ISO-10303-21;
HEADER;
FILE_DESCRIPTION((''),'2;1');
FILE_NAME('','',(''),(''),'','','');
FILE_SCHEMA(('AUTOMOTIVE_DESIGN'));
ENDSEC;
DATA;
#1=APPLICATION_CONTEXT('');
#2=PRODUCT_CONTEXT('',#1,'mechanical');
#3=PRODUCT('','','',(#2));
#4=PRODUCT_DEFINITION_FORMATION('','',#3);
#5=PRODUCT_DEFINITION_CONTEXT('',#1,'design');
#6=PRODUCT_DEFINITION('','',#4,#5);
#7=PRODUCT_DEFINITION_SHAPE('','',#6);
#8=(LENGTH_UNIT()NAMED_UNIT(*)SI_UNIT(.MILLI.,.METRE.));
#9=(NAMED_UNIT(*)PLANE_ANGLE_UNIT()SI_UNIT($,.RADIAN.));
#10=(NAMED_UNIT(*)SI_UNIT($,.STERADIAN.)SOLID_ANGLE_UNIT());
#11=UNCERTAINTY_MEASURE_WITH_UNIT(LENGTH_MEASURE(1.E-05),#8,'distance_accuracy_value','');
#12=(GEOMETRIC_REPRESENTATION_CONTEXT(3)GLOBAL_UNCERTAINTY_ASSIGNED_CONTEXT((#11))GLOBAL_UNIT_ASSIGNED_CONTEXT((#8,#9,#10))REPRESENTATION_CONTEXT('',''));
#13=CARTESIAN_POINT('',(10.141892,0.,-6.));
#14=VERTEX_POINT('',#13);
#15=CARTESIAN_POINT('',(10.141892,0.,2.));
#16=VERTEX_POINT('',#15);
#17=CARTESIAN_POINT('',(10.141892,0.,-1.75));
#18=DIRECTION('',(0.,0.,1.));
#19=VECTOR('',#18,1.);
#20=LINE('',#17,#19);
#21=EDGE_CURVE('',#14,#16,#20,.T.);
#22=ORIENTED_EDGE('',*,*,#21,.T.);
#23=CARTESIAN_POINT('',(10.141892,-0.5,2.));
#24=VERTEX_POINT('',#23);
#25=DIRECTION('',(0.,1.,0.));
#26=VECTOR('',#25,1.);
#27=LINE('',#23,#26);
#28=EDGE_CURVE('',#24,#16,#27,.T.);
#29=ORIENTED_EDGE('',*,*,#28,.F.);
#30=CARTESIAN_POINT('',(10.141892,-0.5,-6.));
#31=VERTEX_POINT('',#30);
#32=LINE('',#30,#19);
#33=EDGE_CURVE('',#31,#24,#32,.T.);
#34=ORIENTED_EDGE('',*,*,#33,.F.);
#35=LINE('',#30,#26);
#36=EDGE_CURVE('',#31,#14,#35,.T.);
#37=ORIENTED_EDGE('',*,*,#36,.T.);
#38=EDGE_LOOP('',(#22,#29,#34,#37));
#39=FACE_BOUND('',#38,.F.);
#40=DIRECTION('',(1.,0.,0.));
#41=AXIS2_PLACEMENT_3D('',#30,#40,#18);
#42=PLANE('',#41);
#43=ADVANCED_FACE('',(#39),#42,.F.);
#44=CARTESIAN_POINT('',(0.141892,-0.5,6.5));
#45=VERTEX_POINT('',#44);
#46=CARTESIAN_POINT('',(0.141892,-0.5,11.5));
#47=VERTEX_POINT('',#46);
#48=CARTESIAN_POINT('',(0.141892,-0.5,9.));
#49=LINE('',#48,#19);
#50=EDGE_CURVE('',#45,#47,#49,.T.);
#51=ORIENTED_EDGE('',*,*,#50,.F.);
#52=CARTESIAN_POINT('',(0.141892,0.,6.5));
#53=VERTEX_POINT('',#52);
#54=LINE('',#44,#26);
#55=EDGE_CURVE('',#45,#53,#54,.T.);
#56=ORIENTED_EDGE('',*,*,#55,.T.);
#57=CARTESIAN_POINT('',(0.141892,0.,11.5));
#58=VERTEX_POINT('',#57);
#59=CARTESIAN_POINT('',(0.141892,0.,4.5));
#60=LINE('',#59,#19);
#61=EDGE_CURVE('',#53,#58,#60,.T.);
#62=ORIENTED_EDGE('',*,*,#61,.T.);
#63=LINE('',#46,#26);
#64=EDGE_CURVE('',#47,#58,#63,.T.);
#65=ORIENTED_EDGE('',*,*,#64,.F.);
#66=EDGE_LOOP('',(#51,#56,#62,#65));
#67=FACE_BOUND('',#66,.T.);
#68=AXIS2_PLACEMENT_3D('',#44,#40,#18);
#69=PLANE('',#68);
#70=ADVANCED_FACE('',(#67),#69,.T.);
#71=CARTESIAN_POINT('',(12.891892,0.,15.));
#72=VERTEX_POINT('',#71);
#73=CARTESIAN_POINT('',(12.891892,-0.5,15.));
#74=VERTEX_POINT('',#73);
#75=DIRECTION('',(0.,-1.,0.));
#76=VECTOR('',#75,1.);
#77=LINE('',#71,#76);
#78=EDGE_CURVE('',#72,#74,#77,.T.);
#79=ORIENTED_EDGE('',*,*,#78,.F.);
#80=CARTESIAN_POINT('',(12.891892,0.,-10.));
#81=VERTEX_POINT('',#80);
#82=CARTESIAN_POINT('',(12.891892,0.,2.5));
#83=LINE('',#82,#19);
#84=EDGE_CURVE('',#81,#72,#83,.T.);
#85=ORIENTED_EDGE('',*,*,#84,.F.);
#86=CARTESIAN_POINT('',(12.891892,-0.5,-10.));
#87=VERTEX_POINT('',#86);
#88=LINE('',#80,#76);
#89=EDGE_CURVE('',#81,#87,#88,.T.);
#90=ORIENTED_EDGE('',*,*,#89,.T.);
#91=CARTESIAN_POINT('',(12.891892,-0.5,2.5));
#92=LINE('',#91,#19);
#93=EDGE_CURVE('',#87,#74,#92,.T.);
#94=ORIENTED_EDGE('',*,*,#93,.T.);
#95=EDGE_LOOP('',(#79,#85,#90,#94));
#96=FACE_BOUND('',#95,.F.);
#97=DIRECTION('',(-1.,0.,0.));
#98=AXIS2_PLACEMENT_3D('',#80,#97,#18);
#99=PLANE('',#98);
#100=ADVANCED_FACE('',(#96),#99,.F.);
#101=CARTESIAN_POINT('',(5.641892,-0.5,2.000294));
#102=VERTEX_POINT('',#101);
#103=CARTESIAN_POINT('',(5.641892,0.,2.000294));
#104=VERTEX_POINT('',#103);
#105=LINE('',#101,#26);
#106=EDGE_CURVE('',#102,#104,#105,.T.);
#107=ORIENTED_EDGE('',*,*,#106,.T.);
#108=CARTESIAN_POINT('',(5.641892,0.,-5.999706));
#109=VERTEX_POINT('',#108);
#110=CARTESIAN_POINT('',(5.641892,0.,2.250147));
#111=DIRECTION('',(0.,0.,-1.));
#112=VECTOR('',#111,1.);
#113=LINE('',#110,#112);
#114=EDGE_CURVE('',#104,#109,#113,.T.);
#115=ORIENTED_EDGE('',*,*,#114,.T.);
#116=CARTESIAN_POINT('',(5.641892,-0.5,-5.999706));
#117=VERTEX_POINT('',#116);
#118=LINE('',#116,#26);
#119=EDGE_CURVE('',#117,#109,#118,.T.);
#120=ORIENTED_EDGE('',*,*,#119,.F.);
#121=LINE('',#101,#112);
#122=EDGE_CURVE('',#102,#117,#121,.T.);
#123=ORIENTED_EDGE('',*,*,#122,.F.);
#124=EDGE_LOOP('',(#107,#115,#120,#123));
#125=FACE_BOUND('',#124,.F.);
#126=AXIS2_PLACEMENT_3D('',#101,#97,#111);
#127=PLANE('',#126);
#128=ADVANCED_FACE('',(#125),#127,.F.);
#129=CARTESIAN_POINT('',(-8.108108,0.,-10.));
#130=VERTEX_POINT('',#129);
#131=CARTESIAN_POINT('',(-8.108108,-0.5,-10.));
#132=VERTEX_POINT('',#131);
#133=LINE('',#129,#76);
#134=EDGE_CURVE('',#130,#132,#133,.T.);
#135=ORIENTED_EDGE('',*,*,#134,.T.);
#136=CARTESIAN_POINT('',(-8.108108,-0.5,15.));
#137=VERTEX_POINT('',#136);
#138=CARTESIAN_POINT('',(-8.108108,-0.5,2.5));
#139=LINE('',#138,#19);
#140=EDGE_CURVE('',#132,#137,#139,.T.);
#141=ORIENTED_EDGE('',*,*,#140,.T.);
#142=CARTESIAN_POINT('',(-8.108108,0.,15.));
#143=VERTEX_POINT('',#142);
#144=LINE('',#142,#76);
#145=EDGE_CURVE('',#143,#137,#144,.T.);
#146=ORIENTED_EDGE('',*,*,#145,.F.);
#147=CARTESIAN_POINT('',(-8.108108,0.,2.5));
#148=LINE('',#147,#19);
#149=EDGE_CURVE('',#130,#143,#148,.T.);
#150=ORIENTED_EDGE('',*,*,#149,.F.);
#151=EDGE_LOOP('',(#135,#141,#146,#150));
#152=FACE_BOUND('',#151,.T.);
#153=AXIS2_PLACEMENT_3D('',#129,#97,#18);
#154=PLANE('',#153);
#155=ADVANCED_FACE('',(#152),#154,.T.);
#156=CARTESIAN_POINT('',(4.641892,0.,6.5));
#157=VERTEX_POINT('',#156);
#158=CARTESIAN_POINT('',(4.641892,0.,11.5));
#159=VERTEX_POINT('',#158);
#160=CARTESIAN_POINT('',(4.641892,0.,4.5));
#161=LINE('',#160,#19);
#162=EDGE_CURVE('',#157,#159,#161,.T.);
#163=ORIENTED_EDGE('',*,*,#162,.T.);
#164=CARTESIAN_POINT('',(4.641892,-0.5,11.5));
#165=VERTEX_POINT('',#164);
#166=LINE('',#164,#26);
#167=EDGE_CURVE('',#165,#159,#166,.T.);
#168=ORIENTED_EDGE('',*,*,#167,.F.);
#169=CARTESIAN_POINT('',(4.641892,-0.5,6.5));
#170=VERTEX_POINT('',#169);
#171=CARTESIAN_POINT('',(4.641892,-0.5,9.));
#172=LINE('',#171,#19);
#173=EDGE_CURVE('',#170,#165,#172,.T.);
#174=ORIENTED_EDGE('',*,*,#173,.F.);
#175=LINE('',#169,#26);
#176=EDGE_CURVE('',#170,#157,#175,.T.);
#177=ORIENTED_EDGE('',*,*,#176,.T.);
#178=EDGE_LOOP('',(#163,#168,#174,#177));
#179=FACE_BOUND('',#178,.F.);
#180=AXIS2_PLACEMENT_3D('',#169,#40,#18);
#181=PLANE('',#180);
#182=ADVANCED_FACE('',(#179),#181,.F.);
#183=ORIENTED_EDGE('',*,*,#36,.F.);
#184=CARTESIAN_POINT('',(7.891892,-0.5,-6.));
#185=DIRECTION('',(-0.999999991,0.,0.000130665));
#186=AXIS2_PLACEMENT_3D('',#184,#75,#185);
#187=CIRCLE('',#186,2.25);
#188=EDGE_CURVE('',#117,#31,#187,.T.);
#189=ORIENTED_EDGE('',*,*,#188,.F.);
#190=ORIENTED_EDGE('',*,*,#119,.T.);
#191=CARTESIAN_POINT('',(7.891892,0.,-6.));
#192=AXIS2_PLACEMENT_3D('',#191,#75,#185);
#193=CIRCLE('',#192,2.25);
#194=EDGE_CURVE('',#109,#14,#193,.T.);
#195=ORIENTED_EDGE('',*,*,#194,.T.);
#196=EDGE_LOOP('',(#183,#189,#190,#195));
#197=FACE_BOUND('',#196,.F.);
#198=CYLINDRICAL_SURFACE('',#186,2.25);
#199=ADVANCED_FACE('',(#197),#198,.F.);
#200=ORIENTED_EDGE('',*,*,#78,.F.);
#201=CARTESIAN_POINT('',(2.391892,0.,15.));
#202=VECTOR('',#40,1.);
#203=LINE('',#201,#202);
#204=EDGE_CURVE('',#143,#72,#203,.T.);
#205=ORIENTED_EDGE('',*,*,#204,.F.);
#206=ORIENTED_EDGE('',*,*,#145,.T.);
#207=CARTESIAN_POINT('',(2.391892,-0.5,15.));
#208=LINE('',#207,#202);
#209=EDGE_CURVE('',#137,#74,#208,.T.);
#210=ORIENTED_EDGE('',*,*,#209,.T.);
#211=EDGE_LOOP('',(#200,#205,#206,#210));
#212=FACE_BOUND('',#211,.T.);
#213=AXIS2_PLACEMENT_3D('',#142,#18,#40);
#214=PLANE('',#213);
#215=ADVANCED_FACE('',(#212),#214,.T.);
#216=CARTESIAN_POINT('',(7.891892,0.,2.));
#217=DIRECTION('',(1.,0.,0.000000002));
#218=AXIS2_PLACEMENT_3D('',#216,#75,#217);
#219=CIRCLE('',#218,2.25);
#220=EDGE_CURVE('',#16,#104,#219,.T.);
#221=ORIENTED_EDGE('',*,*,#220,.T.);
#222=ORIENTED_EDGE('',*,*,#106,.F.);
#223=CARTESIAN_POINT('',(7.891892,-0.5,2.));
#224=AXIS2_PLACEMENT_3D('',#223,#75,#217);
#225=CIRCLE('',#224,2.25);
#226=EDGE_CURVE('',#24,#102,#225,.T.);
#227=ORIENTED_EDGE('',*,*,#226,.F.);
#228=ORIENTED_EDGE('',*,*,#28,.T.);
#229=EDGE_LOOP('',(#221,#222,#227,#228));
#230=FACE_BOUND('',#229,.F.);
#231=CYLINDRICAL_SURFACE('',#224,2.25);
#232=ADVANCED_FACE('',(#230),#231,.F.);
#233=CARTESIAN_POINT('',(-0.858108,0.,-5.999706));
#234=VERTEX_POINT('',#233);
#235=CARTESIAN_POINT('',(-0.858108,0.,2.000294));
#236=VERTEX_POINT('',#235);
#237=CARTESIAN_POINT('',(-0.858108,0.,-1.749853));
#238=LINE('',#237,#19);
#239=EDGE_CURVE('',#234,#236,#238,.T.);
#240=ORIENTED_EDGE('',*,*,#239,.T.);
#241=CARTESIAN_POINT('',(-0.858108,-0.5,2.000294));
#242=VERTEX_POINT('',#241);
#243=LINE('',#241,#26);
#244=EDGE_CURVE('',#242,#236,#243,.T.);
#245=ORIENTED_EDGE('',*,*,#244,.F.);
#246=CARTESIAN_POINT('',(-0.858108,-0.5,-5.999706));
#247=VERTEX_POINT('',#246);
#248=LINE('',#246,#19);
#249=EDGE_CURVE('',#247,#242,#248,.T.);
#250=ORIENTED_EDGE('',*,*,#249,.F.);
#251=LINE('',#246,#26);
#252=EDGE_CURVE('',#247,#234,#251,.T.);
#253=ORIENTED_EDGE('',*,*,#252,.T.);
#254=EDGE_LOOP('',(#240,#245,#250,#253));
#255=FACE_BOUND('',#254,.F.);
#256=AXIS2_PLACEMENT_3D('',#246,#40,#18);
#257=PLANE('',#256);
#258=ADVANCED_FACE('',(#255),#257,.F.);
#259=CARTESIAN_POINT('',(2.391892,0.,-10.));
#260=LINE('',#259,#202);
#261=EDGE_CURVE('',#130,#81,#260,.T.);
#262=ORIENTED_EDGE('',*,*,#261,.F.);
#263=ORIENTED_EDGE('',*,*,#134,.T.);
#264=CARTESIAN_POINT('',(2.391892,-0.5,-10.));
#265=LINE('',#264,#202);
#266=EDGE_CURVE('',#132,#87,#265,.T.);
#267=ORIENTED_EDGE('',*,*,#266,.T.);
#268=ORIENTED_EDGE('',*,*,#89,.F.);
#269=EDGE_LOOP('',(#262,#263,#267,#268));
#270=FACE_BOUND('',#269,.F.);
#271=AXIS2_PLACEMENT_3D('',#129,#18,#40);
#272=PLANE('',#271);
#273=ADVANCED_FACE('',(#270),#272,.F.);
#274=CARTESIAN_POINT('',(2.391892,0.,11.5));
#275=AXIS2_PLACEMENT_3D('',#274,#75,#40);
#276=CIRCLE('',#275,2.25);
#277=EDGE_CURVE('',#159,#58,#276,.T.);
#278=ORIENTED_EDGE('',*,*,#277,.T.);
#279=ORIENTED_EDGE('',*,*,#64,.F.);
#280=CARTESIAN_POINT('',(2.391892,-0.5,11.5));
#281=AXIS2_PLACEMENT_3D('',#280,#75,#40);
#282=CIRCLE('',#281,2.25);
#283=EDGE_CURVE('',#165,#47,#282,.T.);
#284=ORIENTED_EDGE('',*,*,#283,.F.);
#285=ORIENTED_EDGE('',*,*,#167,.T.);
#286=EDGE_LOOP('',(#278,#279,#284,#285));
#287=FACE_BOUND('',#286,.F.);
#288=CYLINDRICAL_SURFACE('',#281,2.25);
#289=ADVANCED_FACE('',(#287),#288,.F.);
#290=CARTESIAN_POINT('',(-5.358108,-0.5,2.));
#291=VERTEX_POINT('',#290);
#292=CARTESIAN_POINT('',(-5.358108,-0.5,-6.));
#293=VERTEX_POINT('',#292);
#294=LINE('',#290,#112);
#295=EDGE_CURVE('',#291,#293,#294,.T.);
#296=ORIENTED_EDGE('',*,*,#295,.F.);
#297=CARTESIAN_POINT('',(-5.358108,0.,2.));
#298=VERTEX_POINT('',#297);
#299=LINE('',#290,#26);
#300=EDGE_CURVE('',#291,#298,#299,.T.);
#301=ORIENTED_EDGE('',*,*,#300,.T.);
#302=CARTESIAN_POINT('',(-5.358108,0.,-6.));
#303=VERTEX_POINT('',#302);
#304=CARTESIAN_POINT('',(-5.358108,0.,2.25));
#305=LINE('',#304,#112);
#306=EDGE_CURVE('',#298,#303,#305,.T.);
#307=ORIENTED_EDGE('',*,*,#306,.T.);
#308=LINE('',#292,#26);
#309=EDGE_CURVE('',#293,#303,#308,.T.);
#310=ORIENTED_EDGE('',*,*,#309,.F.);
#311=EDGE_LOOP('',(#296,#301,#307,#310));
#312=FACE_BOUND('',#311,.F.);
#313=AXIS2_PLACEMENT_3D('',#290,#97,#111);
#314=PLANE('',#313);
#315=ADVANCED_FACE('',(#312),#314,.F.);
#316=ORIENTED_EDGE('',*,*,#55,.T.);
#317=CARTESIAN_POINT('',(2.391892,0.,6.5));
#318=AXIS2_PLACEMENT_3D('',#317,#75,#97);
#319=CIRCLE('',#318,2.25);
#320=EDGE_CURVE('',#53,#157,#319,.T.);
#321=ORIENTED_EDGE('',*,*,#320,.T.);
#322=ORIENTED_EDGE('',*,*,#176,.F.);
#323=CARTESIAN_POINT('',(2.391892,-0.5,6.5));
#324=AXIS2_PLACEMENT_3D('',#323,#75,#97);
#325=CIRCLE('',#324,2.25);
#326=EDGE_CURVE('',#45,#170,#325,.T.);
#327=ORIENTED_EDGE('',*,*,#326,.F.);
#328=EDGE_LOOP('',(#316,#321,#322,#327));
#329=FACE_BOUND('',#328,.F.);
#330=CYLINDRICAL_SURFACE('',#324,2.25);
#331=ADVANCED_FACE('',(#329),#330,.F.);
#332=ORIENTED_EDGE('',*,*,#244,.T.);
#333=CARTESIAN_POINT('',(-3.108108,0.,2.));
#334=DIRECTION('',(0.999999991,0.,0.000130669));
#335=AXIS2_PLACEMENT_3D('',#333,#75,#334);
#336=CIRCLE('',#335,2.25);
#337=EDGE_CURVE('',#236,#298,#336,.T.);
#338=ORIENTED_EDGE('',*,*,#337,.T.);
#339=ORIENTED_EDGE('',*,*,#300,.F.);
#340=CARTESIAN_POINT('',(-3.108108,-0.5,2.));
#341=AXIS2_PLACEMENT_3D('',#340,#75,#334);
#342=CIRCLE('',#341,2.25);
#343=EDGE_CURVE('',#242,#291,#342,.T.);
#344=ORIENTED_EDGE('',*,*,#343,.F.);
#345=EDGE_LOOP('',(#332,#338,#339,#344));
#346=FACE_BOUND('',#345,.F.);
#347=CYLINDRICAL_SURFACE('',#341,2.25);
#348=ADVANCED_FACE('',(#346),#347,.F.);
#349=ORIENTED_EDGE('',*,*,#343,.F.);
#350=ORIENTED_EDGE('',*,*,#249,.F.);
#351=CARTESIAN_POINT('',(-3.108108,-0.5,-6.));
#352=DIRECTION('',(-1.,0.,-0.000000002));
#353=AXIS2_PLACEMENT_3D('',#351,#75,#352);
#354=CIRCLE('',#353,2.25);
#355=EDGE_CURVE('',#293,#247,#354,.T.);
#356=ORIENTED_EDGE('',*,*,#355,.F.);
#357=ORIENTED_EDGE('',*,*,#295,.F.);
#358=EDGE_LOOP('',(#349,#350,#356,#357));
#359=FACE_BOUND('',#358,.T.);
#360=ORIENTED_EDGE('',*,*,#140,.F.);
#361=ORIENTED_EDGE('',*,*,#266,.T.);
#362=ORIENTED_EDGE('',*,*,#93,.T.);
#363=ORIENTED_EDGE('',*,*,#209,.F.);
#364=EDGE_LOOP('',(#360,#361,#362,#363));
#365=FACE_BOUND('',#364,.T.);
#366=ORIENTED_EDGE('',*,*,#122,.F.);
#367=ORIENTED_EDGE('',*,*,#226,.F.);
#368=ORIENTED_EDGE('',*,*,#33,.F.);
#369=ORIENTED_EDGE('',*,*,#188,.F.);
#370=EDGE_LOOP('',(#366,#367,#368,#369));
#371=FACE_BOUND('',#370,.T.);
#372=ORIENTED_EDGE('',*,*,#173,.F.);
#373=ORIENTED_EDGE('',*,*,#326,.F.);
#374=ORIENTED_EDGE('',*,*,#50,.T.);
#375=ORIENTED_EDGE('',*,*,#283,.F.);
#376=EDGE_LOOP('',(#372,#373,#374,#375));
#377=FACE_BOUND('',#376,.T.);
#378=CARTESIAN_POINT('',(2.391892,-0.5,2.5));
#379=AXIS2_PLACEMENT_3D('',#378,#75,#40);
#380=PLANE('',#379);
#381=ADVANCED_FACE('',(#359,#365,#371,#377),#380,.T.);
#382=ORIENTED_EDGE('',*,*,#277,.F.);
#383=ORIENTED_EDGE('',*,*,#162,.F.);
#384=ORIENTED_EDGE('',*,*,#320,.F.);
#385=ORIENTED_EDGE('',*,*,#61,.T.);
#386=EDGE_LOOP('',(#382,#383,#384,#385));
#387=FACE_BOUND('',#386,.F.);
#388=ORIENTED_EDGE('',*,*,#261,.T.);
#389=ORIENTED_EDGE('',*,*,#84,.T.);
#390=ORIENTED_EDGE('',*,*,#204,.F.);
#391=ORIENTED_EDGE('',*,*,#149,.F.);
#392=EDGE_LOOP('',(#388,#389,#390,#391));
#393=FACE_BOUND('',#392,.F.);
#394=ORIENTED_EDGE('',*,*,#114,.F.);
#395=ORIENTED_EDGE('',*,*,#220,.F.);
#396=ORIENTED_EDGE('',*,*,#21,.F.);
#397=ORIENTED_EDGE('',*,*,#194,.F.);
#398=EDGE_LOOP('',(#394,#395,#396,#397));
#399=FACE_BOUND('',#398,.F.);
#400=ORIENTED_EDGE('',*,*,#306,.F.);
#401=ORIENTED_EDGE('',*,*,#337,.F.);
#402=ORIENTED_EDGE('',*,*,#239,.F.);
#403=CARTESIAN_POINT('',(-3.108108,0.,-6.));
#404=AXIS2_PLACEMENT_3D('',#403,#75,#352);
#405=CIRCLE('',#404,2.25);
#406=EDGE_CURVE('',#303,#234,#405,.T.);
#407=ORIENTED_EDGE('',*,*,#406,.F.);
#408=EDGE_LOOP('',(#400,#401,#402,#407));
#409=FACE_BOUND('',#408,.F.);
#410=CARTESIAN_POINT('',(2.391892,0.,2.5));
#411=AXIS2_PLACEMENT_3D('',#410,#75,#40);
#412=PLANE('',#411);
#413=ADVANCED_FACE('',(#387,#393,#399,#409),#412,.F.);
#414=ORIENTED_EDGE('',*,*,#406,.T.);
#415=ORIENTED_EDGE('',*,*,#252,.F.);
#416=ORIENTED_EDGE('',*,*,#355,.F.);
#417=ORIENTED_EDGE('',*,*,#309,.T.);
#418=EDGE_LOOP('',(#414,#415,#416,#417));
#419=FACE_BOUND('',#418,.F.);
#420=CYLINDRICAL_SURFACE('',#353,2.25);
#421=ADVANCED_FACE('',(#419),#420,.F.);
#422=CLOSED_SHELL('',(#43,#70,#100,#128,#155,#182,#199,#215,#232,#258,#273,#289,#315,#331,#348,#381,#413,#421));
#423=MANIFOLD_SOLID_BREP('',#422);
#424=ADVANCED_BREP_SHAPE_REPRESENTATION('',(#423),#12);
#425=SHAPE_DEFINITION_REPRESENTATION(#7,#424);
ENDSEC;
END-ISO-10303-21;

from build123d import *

# Parameters (mm, degrees)
F0_W     = 21
F0_H     = 25
F1_DEPTH = 0.5
F3_DEPTH = 25
F4_W     = 4.5
F4_H     = 5
F5_DEPTH = 25


with BuildPart() as f1:
    # F0 (on Front) → F1 (new body)
    with BuildSketch(Plane.XZ):
        with Locations((2.391892, 2.5)):
            Rectangle(F0_W, F0_H)
    extrude(amount=F1_DEPTH)

    # F2 (on face) → F3 (cut)
    with BuildSketch(Plane.XZ.offset(0.5)):
        with BuildLine():
            ThreePointArc((-5.358108, -6), (-3.10796, -8.25), (-0.858108, -5.999706))
            Line((-0.858108, -5.999706), (-0.858108, 2.000294))
            ThreePointArc((-0.858108, 2.000294), (-3.108255, 4.25), (-5.358108, 2))
            Line((-5.358108, 2), (-5.358108, -6))
        make_face()
        with BuildLine():
            Line((5.641892, 2.000294), (5.641892, -5.999706))
            ThreePointArc((5.641892, -5.999706), (7.891745, -8.25), (10.141892, -6))
            Line((10.141892, -6), (10.141892, 2))
            ThreePointArc((10.141892, 2), (7.89204, 4.25), (5.641892, 2.000294))
        make_face()
    extrude(amount=-F3_DEPTH, mode=Mode.SUBTRACT)

    # F4 (on face) → F5 (cut)
    with BuildSketch(Plane.XZ.offset(0.5)):
        with Locations((2.391892, 9)):
            Rectangle(F4_W, F4_H)
        with BuildLine():
            Line((0.141892, 11.5), (4.641892, 11.5))
            ThreePointArc((4.641892, 11.5), (2.391892, 13.75), (0.141892, 11.5))
        make_face()
        with BuildLine():
            ThreePointArc((0.141892, 6.5), (2.391892, 4.25), (4.641892, 6.5))
            Line((4.641892, 6.5), (0.141892, 6.5))
        make_face()
    extrude(amount=-F5_DEPTH, mode=Mode.SUBTRACT)


solid = f1.part
